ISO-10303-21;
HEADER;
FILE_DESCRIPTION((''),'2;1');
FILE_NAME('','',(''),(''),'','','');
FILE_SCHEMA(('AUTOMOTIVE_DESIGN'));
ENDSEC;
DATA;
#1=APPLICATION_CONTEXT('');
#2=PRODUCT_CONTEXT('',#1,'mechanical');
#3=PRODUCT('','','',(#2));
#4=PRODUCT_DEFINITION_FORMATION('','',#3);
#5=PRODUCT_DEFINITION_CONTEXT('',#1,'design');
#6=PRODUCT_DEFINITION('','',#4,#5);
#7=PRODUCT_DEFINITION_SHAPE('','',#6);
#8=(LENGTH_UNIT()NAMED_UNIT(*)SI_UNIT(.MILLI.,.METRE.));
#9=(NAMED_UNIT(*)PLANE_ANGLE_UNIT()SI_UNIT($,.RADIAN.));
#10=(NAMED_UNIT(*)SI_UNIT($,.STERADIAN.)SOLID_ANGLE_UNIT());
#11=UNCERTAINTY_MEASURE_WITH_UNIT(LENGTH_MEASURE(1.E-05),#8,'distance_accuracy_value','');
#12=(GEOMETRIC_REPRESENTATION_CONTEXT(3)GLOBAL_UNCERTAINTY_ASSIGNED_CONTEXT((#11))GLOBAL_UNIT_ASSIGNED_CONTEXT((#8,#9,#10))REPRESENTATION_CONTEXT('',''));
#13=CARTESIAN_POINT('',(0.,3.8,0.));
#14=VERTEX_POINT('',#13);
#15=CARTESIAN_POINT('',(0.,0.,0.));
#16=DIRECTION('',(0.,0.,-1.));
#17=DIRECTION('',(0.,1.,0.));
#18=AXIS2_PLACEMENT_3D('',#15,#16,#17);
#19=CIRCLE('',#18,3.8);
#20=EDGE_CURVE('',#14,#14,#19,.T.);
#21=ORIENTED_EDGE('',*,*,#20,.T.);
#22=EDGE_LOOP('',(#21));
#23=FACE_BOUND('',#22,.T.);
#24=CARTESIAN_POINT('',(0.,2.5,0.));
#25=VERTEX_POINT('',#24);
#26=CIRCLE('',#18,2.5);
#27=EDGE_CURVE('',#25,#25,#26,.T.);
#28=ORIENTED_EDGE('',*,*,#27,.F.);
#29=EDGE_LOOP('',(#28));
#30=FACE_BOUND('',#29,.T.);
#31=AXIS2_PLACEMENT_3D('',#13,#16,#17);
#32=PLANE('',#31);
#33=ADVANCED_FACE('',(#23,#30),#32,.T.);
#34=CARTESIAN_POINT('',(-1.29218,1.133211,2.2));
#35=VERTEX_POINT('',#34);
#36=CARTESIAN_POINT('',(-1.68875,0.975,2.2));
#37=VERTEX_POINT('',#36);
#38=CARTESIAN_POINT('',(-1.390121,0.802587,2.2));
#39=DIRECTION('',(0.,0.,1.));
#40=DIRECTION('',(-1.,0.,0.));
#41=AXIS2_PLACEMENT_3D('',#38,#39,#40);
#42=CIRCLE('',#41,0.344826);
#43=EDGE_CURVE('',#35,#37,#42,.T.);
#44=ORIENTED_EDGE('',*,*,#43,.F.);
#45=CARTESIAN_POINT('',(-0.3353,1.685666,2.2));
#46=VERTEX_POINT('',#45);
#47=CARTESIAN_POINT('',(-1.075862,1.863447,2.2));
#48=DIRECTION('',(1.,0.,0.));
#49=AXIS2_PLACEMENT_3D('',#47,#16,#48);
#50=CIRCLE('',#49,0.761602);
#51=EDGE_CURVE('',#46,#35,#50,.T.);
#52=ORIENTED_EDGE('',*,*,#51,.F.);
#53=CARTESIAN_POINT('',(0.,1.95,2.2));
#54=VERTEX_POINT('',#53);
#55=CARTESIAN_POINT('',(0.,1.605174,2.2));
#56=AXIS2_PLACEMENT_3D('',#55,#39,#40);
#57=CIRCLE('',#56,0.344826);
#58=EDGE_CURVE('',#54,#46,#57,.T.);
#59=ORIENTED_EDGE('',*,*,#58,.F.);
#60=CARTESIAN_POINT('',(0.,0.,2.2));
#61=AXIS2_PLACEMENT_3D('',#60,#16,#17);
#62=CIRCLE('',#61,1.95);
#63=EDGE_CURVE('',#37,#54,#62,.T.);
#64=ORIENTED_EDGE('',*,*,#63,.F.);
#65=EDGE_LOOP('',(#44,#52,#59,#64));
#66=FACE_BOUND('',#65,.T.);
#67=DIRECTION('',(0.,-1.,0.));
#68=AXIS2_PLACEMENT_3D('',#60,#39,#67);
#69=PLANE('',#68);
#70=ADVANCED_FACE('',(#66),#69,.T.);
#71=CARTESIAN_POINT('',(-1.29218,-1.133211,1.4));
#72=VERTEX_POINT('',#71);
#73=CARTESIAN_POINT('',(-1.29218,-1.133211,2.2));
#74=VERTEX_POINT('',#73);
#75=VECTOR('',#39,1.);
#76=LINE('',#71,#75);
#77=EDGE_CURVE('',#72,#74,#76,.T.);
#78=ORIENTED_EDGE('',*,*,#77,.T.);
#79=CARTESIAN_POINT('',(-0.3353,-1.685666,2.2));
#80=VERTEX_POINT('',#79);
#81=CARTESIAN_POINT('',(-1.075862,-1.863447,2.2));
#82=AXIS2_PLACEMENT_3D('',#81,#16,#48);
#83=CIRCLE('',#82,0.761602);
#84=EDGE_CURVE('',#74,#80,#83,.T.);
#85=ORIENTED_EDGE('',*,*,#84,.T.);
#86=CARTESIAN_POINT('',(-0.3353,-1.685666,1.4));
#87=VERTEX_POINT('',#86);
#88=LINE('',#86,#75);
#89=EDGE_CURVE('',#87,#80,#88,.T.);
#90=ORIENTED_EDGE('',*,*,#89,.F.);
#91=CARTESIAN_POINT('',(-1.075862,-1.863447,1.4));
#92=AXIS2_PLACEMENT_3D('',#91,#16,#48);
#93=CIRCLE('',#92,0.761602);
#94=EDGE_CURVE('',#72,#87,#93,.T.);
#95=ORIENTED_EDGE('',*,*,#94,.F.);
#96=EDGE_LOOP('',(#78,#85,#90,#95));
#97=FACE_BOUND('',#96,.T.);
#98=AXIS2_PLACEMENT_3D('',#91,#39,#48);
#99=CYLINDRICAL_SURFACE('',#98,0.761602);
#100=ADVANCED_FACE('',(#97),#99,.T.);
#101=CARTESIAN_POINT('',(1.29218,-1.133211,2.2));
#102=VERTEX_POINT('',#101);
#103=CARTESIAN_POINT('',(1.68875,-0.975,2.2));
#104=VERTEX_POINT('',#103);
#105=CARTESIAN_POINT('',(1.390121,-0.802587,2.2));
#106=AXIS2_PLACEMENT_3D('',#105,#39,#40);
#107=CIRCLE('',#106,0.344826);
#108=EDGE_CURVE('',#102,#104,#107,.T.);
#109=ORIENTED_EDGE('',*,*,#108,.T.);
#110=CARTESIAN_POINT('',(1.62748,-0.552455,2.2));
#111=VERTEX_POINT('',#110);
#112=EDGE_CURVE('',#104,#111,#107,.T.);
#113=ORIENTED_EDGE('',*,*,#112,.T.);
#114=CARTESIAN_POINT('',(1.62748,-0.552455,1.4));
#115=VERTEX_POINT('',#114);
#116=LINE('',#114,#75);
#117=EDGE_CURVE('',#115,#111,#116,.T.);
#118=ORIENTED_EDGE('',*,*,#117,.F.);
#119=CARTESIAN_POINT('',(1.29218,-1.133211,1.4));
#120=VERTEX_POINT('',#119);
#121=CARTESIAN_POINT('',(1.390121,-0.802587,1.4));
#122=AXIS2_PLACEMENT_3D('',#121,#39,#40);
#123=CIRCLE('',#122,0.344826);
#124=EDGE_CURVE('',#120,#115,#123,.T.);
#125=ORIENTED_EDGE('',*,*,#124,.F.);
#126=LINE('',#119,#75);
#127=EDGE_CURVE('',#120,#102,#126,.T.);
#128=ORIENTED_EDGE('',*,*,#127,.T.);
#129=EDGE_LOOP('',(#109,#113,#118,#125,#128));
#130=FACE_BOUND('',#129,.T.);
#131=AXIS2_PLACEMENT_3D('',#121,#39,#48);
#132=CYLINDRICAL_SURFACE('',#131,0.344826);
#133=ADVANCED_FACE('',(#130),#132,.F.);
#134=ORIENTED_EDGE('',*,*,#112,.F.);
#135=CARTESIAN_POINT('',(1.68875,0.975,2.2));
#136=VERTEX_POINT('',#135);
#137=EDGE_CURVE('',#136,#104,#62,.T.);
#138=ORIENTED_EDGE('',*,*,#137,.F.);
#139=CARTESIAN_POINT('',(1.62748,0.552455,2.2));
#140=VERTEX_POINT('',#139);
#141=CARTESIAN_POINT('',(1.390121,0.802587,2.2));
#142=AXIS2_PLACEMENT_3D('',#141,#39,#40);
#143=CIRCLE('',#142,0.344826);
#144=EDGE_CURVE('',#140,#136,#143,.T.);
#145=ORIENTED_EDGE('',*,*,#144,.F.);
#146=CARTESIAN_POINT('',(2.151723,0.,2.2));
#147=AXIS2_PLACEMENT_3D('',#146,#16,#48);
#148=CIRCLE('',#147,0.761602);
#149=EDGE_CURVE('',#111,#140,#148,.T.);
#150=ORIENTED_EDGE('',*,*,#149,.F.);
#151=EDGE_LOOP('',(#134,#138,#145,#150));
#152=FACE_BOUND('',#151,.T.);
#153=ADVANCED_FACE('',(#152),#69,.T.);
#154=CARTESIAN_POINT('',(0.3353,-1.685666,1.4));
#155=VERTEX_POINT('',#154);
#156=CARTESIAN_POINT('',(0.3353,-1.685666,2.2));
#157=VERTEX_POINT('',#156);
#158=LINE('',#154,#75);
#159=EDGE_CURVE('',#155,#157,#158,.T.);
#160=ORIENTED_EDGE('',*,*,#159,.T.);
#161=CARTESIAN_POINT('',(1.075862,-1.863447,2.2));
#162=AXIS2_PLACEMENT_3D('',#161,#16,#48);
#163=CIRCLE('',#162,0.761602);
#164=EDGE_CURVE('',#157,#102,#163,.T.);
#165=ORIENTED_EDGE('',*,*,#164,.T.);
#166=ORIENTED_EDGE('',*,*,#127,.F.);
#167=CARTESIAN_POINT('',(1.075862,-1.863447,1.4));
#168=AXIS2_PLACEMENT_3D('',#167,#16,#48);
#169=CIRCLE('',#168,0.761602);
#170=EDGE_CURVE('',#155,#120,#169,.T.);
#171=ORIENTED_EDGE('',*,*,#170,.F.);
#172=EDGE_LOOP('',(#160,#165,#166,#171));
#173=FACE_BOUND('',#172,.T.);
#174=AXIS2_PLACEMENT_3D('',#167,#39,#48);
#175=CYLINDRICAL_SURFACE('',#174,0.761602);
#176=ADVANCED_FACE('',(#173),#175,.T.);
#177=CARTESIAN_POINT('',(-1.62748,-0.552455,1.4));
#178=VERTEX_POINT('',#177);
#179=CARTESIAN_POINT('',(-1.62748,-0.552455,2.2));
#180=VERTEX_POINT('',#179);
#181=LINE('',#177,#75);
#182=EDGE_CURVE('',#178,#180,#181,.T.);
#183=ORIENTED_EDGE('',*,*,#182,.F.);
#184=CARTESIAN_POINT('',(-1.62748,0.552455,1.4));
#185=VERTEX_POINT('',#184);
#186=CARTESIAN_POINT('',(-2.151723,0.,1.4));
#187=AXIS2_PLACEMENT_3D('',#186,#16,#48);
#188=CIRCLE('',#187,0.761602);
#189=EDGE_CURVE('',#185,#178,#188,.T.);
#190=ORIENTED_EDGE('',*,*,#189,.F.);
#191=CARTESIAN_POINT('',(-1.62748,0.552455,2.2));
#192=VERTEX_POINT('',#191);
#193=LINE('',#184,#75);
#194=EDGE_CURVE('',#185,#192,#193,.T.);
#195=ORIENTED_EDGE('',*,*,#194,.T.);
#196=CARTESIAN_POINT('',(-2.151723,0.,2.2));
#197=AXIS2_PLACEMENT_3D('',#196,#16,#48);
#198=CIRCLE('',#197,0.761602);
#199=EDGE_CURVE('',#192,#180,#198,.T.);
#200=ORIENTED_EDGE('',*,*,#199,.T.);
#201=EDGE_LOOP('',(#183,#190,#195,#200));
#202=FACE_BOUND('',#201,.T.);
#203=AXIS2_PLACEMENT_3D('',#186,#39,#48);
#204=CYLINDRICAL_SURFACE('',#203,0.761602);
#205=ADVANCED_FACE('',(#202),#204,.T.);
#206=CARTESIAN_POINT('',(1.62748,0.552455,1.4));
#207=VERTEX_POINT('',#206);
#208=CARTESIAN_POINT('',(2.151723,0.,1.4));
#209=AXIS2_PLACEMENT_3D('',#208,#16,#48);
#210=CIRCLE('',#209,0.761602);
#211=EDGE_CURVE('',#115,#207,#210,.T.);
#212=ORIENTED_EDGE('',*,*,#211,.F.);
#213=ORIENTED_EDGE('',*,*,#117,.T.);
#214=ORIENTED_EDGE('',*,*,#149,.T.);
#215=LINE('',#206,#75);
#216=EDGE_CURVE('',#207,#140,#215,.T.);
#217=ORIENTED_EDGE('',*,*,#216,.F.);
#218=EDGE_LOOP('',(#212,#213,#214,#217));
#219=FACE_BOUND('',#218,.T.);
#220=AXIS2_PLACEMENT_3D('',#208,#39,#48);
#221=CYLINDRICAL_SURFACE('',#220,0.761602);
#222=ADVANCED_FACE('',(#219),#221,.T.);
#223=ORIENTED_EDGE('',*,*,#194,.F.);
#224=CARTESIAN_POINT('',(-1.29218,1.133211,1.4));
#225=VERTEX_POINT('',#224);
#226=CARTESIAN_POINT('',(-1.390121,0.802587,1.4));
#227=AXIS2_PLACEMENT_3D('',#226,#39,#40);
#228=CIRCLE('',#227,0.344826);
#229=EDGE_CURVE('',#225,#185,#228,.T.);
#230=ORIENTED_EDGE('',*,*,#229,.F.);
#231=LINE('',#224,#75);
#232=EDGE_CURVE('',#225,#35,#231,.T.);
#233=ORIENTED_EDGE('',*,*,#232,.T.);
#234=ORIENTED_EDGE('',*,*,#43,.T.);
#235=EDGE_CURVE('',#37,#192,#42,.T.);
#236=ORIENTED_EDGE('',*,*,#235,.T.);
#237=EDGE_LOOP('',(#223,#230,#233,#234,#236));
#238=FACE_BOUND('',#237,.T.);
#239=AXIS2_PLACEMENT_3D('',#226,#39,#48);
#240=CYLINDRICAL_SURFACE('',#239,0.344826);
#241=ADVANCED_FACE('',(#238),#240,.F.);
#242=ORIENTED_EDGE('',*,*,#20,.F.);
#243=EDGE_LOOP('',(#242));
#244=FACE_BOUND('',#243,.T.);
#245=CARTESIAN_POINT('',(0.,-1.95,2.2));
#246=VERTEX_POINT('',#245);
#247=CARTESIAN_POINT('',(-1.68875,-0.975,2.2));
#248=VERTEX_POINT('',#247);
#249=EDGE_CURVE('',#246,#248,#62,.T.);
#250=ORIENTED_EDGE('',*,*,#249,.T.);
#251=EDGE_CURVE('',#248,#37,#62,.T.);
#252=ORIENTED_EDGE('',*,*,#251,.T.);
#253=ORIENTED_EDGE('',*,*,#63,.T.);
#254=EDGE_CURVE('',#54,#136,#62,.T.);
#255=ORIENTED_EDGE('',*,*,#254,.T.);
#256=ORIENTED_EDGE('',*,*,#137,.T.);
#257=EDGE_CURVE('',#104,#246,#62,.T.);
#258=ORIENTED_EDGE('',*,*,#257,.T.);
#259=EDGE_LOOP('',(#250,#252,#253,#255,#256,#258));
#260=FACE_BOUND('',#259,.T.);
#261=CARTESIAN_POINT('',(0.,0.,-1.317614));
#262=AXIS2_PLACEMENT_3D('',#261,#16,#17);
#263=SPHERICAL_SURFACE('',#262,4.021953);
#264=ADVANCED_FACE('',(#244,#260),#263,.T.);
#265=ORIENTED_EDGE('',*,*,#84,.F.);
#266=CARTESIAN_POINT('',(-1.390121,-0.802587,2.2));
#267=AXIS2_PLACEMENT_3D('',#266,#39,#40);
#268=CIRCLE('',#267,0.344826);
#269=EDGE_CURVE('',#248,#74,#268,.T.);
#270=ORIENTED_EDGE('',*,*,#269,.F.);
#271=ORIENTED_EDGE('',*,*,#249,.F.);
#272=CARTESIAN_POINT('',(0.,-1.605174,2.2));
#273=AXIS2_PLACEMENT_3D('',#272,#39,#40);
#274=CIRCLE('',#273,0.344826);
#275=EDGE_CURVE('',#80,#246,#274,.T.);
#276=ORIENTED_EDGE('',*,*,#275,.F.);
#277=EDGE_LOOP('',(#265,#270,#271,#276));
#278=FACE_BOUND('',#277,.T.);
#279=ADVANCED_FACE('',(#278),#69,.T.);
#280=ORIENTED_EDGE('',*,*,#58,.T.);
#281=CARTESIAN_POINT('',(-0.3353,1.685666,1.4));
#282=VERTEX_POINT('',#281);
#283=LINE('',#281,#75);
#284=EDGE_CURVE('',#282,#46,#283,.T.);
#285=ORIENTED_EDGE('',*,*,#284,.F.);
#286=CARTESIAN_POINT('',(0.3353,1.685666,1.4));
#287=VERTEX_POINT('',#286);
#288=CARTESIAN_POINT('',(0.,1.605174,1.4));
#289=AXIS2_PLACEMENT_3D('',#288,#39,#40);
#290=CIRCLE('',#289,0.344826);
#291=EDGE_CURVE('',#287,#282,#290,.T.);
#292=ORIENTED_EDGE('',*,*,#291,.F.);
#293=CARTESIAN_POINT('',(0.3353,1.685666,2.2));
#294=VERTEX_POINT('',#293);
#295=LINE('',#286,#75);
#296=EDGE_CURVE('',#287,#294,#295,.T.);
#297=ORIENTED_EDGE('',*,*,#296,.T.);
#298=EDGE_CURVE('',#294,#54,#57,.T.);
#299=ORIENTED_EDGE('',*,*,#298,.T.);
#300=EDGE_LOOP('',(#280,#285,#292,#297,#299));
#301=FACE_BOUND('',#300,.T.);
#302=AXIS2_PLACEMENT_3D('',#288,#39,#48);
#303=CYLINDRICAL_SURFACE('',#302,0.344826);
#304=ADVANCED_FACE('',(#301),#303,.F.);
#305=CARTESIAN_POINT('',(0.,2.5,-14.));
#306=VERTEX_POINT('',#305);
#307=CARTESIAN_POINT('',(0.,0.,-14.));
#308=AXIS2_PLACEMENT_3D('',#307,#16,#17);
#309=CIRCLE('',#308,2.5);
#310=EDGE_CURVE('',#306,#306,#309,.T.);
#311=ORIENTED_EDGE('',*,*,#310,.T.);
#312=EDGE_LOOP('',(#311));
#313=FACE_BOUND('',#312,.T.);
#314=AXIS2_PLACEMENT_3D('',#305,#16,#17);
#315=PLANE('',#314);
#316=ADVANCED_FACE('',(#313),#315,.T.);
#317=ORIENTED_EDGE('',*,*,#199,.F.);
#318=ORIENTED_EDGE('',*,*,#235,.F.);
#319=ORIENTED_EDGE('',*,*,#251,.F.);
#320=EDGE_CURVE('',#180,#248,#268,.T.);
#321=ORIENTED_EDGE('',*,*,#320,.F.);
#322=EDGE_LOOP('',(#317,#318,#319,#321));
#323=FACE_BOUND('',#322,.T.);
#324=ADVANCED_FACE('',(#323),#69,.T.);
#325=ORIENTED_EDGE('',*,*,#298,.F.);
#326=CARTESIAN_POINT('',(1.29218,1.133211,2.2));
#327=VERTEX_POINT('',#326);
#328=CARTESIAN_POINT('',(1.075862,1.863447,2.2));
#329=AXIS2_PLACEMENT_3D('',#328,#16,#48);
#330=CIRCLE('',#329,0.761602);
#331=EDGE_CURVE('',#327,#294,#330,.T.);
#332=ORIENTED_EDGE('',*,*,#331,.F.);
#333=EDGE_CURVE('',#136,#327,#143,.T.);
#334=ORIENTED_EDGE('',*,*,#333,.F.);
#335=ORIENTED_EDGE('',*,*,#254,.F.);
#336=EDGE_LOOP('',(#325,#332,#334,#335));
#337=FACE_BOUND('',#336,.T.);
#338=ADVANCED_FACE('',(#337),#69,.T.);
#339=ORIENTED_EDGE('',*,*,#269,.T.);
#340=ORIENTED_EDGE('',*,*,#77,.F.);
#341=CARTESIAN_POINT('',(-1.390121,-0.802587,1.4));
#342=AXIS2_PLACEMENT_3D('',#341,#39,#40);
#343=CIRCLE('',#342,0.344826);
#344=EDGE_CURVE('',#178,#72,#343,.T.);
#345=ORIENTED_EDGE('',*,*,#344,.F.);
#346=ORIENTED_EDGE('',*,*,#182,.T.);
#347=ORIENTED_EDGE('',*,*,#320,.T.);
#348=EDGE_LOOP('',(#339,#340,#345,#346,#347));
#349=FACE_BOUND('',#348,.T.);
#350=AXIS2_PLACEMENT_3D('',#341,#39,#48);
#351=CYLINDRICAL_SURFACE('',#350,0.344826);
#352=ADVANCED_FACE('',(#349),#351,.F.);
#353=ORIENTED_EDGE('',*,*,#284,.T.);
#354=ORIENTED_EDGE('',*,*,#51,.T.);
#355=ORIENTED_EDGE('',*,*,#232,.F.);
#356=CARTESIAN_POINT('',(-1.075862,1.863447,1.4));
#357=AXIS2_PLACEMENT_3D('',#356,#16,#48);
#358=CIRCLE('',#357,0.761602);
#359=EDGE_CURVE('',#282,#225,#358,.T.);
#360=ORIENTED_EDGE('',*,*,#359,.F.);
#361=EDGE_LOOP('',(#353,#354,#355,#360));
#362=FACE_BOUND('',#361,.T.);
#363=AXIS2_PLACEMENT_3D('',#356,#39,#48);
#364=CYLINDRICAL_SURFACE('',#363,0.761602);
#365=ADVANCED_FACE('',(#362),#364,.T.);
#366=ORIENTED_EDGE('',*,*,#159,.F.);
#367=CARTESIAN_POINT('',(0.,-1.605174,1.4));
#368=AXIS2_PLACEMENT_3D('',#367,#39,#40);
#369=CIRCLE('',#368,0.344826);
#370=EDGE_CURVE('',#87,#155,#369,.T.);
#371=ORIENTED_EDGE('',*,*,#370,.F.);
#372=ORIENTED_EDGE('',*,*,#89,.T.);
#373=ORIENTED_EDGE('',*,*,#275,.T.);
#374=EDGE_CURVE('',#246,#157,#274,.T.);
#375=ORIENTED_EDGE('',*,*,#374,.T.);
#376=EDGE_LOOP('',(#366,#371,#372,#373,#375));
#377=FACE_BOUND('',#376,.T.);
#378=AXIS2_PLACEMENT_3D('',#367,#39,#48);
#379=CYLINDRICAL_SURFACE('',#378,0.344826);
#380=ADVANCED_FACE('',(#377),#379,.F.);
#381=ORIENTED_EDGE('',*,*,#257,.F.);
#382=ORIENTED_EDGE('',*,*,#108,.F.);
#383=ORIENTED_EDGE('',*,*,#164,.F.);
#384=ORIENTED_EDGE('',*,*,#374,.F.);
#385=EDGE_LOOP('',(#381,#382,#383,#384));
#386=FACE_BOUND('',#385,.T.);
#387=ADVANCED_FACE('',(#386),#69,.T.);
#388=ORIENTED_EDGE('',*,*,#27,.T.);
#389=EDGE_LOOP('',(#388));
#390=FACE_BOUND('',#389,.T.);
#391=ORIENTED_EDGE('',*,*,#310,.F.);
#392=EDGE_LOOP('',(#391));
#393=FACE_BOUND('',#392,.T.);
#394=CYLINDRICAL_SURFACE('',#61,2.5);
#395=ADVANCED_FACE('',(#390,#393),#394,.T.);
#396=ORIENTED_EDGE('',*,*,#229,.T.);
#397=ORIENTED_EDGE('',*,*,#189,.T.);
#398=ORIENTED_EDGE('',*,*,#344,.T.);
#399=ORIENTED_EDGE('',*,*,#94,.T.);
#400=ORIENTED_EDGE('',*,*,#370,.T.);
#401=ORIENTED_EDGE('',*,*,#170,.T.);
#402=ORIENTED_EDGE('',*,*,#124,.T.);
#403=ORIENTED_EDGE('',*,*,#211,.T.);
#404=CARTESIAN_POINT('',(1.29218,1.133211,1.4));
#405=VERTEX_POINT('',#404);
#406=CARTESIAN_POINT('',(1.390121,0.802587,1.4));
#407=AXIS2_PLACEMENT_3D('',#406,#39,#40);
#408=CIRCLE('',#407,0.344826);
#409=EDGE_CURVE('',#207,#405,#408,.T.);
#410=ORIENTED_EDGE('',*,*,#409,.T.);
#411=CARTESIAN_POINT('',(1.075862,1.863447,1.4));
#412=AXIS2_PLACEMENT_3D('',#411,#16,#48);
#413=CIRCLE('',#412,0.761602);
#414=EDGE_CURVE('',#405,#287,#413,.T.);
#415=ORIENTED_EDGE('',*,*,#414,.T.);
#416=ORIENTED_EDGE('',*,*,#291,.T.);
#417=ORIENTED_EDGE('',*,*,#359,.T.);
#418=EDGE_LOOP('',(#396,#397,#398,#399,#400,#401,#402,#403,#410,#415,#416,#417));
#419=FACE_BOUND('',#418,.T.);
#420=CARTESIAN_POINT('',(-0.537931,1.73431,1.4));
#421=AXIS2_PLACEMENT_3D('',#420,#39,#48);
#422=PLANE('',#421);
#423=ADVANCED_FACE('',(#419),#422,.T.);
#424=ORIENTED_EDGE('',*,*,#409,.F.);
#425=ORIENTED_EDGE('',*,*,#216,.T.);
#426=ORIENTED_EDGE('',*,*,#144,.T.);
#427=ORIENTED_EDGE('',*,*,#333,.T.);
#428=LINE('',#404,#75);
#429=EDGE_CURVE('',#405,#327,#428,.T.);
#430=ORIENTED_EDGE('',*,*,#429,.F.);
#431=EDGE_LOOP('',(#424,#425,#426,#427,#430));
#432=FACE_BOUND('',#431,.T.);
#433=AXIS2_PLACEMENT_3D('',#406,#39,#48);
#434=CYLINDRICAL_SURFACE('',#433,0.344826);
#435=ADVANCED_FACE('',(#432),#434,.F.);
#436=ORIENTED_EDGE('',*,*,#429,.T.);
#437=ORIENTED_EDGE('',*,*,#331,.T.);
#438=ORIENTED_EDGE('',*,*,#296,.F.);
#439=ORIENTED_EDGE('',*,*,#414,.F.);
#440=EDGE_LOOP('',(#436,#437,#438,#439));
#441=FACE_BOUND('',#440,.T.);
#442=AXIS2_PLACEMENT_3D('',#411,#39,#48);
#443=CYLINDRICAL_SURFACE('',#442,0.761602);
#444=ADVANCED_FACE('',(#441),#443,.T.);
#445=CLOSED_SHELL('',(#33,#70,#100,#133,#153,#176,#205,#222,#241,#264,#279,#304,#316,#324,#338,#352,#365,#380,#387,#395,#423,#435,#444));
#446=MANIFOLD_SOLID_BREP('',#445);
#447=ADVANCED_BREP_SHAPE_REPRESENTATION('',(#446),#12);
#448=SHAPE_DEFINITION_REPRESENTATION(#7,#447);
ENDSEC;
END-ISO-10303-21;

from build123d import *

# Parameters (mm, degrees)
ENL_V_MAT_EXTRU_1_DEPTH = 0.8


with BuildPart() as part:
    # Esquisse1 → Révolution1 (revolve)
    with BuildSketch(Plane(origin=(0, 0, 0), x_dir=(0, 0, -1), z_dir=(1, 0, 0))):
        with BuildLine():
            Line((-2.2, 0), (-2.2, 1.95))
            ThreePointArc((-2.2, 1.95), (-1.270915037, 3.078250315), (0, 3.8))
            Line((0, 3.8), (0, 2.5))
            Line((0, 2.5), (14, 2.5))
            Line((14, 2.5), (14, 0))
            Line((14, 0), (-2.2, 0))
        make_face()
    revolve(axis=Axis((0, 0, 2.2), (0, 0, 1)))

    # Esquisse2 → Enlèv. mat.-Extru.1 (cut)
    with BuildSketch(Plane.XY.offset(2.2)):
        with BuildLine():
            ThreePointArc((-0.335299912, 1.68566649), (0, 1.95), (0.335299912, 1.68566649))
            ThreePointArc((0.335299912, 1.68566649), (0.695060647, 1.203880356), (1.292180047, 1.133211487))
            ThreePointArc((1.292180047, 1.133211487), (1.688749537, 0.975), (1.627479959, 0.552455003))
            ThreePointArc((1.627479959, 0.552455003), (1.390121295, 0), (1.627479959, -0.552455003))
            ThreePointArc((1.627479959, -0.552455003), (1.688749537, -0.975), (1.292180047, -1.133211487))
            ThreePointArc((1.292180047, -1.133211487), (0.695060647, -1.203880356), (0.335299912, -1.68566649))
            ThreePointArc((0.335299912, -1.68566649), (0, -1.95), (-0.335299912, -1.68566649))
            ThreePointArc((-0.335299912, -1.68566649), (-0.695060647, -1.203880356), (-1.292180047, -1.133211487))
            ThreePointArc((-1.292180047, -1.133211487), (-1.688749537, -0.975), (-1.627479959, -0.552455003))
            ThreePointArc((-1.627479959, -0.552455003), (-1.390121295, 0), (-1.627479959, 0.552455003))
            ThreePointArc((-1.627479959, 0.552455003), (-1.688749537, 0.975), (-1.292180047, 1.133211487))
            ThreePointArc((-1.292180047, 1.133211487), (-0.695060647, 1.203880356), (-0.335299912, 1.68566649))
        make_face()
    extrude(amount=-ENL_V_MAT_EXTRU_1_DEPTH, mode=Mode.SUBTRACT)


solid = part.part
